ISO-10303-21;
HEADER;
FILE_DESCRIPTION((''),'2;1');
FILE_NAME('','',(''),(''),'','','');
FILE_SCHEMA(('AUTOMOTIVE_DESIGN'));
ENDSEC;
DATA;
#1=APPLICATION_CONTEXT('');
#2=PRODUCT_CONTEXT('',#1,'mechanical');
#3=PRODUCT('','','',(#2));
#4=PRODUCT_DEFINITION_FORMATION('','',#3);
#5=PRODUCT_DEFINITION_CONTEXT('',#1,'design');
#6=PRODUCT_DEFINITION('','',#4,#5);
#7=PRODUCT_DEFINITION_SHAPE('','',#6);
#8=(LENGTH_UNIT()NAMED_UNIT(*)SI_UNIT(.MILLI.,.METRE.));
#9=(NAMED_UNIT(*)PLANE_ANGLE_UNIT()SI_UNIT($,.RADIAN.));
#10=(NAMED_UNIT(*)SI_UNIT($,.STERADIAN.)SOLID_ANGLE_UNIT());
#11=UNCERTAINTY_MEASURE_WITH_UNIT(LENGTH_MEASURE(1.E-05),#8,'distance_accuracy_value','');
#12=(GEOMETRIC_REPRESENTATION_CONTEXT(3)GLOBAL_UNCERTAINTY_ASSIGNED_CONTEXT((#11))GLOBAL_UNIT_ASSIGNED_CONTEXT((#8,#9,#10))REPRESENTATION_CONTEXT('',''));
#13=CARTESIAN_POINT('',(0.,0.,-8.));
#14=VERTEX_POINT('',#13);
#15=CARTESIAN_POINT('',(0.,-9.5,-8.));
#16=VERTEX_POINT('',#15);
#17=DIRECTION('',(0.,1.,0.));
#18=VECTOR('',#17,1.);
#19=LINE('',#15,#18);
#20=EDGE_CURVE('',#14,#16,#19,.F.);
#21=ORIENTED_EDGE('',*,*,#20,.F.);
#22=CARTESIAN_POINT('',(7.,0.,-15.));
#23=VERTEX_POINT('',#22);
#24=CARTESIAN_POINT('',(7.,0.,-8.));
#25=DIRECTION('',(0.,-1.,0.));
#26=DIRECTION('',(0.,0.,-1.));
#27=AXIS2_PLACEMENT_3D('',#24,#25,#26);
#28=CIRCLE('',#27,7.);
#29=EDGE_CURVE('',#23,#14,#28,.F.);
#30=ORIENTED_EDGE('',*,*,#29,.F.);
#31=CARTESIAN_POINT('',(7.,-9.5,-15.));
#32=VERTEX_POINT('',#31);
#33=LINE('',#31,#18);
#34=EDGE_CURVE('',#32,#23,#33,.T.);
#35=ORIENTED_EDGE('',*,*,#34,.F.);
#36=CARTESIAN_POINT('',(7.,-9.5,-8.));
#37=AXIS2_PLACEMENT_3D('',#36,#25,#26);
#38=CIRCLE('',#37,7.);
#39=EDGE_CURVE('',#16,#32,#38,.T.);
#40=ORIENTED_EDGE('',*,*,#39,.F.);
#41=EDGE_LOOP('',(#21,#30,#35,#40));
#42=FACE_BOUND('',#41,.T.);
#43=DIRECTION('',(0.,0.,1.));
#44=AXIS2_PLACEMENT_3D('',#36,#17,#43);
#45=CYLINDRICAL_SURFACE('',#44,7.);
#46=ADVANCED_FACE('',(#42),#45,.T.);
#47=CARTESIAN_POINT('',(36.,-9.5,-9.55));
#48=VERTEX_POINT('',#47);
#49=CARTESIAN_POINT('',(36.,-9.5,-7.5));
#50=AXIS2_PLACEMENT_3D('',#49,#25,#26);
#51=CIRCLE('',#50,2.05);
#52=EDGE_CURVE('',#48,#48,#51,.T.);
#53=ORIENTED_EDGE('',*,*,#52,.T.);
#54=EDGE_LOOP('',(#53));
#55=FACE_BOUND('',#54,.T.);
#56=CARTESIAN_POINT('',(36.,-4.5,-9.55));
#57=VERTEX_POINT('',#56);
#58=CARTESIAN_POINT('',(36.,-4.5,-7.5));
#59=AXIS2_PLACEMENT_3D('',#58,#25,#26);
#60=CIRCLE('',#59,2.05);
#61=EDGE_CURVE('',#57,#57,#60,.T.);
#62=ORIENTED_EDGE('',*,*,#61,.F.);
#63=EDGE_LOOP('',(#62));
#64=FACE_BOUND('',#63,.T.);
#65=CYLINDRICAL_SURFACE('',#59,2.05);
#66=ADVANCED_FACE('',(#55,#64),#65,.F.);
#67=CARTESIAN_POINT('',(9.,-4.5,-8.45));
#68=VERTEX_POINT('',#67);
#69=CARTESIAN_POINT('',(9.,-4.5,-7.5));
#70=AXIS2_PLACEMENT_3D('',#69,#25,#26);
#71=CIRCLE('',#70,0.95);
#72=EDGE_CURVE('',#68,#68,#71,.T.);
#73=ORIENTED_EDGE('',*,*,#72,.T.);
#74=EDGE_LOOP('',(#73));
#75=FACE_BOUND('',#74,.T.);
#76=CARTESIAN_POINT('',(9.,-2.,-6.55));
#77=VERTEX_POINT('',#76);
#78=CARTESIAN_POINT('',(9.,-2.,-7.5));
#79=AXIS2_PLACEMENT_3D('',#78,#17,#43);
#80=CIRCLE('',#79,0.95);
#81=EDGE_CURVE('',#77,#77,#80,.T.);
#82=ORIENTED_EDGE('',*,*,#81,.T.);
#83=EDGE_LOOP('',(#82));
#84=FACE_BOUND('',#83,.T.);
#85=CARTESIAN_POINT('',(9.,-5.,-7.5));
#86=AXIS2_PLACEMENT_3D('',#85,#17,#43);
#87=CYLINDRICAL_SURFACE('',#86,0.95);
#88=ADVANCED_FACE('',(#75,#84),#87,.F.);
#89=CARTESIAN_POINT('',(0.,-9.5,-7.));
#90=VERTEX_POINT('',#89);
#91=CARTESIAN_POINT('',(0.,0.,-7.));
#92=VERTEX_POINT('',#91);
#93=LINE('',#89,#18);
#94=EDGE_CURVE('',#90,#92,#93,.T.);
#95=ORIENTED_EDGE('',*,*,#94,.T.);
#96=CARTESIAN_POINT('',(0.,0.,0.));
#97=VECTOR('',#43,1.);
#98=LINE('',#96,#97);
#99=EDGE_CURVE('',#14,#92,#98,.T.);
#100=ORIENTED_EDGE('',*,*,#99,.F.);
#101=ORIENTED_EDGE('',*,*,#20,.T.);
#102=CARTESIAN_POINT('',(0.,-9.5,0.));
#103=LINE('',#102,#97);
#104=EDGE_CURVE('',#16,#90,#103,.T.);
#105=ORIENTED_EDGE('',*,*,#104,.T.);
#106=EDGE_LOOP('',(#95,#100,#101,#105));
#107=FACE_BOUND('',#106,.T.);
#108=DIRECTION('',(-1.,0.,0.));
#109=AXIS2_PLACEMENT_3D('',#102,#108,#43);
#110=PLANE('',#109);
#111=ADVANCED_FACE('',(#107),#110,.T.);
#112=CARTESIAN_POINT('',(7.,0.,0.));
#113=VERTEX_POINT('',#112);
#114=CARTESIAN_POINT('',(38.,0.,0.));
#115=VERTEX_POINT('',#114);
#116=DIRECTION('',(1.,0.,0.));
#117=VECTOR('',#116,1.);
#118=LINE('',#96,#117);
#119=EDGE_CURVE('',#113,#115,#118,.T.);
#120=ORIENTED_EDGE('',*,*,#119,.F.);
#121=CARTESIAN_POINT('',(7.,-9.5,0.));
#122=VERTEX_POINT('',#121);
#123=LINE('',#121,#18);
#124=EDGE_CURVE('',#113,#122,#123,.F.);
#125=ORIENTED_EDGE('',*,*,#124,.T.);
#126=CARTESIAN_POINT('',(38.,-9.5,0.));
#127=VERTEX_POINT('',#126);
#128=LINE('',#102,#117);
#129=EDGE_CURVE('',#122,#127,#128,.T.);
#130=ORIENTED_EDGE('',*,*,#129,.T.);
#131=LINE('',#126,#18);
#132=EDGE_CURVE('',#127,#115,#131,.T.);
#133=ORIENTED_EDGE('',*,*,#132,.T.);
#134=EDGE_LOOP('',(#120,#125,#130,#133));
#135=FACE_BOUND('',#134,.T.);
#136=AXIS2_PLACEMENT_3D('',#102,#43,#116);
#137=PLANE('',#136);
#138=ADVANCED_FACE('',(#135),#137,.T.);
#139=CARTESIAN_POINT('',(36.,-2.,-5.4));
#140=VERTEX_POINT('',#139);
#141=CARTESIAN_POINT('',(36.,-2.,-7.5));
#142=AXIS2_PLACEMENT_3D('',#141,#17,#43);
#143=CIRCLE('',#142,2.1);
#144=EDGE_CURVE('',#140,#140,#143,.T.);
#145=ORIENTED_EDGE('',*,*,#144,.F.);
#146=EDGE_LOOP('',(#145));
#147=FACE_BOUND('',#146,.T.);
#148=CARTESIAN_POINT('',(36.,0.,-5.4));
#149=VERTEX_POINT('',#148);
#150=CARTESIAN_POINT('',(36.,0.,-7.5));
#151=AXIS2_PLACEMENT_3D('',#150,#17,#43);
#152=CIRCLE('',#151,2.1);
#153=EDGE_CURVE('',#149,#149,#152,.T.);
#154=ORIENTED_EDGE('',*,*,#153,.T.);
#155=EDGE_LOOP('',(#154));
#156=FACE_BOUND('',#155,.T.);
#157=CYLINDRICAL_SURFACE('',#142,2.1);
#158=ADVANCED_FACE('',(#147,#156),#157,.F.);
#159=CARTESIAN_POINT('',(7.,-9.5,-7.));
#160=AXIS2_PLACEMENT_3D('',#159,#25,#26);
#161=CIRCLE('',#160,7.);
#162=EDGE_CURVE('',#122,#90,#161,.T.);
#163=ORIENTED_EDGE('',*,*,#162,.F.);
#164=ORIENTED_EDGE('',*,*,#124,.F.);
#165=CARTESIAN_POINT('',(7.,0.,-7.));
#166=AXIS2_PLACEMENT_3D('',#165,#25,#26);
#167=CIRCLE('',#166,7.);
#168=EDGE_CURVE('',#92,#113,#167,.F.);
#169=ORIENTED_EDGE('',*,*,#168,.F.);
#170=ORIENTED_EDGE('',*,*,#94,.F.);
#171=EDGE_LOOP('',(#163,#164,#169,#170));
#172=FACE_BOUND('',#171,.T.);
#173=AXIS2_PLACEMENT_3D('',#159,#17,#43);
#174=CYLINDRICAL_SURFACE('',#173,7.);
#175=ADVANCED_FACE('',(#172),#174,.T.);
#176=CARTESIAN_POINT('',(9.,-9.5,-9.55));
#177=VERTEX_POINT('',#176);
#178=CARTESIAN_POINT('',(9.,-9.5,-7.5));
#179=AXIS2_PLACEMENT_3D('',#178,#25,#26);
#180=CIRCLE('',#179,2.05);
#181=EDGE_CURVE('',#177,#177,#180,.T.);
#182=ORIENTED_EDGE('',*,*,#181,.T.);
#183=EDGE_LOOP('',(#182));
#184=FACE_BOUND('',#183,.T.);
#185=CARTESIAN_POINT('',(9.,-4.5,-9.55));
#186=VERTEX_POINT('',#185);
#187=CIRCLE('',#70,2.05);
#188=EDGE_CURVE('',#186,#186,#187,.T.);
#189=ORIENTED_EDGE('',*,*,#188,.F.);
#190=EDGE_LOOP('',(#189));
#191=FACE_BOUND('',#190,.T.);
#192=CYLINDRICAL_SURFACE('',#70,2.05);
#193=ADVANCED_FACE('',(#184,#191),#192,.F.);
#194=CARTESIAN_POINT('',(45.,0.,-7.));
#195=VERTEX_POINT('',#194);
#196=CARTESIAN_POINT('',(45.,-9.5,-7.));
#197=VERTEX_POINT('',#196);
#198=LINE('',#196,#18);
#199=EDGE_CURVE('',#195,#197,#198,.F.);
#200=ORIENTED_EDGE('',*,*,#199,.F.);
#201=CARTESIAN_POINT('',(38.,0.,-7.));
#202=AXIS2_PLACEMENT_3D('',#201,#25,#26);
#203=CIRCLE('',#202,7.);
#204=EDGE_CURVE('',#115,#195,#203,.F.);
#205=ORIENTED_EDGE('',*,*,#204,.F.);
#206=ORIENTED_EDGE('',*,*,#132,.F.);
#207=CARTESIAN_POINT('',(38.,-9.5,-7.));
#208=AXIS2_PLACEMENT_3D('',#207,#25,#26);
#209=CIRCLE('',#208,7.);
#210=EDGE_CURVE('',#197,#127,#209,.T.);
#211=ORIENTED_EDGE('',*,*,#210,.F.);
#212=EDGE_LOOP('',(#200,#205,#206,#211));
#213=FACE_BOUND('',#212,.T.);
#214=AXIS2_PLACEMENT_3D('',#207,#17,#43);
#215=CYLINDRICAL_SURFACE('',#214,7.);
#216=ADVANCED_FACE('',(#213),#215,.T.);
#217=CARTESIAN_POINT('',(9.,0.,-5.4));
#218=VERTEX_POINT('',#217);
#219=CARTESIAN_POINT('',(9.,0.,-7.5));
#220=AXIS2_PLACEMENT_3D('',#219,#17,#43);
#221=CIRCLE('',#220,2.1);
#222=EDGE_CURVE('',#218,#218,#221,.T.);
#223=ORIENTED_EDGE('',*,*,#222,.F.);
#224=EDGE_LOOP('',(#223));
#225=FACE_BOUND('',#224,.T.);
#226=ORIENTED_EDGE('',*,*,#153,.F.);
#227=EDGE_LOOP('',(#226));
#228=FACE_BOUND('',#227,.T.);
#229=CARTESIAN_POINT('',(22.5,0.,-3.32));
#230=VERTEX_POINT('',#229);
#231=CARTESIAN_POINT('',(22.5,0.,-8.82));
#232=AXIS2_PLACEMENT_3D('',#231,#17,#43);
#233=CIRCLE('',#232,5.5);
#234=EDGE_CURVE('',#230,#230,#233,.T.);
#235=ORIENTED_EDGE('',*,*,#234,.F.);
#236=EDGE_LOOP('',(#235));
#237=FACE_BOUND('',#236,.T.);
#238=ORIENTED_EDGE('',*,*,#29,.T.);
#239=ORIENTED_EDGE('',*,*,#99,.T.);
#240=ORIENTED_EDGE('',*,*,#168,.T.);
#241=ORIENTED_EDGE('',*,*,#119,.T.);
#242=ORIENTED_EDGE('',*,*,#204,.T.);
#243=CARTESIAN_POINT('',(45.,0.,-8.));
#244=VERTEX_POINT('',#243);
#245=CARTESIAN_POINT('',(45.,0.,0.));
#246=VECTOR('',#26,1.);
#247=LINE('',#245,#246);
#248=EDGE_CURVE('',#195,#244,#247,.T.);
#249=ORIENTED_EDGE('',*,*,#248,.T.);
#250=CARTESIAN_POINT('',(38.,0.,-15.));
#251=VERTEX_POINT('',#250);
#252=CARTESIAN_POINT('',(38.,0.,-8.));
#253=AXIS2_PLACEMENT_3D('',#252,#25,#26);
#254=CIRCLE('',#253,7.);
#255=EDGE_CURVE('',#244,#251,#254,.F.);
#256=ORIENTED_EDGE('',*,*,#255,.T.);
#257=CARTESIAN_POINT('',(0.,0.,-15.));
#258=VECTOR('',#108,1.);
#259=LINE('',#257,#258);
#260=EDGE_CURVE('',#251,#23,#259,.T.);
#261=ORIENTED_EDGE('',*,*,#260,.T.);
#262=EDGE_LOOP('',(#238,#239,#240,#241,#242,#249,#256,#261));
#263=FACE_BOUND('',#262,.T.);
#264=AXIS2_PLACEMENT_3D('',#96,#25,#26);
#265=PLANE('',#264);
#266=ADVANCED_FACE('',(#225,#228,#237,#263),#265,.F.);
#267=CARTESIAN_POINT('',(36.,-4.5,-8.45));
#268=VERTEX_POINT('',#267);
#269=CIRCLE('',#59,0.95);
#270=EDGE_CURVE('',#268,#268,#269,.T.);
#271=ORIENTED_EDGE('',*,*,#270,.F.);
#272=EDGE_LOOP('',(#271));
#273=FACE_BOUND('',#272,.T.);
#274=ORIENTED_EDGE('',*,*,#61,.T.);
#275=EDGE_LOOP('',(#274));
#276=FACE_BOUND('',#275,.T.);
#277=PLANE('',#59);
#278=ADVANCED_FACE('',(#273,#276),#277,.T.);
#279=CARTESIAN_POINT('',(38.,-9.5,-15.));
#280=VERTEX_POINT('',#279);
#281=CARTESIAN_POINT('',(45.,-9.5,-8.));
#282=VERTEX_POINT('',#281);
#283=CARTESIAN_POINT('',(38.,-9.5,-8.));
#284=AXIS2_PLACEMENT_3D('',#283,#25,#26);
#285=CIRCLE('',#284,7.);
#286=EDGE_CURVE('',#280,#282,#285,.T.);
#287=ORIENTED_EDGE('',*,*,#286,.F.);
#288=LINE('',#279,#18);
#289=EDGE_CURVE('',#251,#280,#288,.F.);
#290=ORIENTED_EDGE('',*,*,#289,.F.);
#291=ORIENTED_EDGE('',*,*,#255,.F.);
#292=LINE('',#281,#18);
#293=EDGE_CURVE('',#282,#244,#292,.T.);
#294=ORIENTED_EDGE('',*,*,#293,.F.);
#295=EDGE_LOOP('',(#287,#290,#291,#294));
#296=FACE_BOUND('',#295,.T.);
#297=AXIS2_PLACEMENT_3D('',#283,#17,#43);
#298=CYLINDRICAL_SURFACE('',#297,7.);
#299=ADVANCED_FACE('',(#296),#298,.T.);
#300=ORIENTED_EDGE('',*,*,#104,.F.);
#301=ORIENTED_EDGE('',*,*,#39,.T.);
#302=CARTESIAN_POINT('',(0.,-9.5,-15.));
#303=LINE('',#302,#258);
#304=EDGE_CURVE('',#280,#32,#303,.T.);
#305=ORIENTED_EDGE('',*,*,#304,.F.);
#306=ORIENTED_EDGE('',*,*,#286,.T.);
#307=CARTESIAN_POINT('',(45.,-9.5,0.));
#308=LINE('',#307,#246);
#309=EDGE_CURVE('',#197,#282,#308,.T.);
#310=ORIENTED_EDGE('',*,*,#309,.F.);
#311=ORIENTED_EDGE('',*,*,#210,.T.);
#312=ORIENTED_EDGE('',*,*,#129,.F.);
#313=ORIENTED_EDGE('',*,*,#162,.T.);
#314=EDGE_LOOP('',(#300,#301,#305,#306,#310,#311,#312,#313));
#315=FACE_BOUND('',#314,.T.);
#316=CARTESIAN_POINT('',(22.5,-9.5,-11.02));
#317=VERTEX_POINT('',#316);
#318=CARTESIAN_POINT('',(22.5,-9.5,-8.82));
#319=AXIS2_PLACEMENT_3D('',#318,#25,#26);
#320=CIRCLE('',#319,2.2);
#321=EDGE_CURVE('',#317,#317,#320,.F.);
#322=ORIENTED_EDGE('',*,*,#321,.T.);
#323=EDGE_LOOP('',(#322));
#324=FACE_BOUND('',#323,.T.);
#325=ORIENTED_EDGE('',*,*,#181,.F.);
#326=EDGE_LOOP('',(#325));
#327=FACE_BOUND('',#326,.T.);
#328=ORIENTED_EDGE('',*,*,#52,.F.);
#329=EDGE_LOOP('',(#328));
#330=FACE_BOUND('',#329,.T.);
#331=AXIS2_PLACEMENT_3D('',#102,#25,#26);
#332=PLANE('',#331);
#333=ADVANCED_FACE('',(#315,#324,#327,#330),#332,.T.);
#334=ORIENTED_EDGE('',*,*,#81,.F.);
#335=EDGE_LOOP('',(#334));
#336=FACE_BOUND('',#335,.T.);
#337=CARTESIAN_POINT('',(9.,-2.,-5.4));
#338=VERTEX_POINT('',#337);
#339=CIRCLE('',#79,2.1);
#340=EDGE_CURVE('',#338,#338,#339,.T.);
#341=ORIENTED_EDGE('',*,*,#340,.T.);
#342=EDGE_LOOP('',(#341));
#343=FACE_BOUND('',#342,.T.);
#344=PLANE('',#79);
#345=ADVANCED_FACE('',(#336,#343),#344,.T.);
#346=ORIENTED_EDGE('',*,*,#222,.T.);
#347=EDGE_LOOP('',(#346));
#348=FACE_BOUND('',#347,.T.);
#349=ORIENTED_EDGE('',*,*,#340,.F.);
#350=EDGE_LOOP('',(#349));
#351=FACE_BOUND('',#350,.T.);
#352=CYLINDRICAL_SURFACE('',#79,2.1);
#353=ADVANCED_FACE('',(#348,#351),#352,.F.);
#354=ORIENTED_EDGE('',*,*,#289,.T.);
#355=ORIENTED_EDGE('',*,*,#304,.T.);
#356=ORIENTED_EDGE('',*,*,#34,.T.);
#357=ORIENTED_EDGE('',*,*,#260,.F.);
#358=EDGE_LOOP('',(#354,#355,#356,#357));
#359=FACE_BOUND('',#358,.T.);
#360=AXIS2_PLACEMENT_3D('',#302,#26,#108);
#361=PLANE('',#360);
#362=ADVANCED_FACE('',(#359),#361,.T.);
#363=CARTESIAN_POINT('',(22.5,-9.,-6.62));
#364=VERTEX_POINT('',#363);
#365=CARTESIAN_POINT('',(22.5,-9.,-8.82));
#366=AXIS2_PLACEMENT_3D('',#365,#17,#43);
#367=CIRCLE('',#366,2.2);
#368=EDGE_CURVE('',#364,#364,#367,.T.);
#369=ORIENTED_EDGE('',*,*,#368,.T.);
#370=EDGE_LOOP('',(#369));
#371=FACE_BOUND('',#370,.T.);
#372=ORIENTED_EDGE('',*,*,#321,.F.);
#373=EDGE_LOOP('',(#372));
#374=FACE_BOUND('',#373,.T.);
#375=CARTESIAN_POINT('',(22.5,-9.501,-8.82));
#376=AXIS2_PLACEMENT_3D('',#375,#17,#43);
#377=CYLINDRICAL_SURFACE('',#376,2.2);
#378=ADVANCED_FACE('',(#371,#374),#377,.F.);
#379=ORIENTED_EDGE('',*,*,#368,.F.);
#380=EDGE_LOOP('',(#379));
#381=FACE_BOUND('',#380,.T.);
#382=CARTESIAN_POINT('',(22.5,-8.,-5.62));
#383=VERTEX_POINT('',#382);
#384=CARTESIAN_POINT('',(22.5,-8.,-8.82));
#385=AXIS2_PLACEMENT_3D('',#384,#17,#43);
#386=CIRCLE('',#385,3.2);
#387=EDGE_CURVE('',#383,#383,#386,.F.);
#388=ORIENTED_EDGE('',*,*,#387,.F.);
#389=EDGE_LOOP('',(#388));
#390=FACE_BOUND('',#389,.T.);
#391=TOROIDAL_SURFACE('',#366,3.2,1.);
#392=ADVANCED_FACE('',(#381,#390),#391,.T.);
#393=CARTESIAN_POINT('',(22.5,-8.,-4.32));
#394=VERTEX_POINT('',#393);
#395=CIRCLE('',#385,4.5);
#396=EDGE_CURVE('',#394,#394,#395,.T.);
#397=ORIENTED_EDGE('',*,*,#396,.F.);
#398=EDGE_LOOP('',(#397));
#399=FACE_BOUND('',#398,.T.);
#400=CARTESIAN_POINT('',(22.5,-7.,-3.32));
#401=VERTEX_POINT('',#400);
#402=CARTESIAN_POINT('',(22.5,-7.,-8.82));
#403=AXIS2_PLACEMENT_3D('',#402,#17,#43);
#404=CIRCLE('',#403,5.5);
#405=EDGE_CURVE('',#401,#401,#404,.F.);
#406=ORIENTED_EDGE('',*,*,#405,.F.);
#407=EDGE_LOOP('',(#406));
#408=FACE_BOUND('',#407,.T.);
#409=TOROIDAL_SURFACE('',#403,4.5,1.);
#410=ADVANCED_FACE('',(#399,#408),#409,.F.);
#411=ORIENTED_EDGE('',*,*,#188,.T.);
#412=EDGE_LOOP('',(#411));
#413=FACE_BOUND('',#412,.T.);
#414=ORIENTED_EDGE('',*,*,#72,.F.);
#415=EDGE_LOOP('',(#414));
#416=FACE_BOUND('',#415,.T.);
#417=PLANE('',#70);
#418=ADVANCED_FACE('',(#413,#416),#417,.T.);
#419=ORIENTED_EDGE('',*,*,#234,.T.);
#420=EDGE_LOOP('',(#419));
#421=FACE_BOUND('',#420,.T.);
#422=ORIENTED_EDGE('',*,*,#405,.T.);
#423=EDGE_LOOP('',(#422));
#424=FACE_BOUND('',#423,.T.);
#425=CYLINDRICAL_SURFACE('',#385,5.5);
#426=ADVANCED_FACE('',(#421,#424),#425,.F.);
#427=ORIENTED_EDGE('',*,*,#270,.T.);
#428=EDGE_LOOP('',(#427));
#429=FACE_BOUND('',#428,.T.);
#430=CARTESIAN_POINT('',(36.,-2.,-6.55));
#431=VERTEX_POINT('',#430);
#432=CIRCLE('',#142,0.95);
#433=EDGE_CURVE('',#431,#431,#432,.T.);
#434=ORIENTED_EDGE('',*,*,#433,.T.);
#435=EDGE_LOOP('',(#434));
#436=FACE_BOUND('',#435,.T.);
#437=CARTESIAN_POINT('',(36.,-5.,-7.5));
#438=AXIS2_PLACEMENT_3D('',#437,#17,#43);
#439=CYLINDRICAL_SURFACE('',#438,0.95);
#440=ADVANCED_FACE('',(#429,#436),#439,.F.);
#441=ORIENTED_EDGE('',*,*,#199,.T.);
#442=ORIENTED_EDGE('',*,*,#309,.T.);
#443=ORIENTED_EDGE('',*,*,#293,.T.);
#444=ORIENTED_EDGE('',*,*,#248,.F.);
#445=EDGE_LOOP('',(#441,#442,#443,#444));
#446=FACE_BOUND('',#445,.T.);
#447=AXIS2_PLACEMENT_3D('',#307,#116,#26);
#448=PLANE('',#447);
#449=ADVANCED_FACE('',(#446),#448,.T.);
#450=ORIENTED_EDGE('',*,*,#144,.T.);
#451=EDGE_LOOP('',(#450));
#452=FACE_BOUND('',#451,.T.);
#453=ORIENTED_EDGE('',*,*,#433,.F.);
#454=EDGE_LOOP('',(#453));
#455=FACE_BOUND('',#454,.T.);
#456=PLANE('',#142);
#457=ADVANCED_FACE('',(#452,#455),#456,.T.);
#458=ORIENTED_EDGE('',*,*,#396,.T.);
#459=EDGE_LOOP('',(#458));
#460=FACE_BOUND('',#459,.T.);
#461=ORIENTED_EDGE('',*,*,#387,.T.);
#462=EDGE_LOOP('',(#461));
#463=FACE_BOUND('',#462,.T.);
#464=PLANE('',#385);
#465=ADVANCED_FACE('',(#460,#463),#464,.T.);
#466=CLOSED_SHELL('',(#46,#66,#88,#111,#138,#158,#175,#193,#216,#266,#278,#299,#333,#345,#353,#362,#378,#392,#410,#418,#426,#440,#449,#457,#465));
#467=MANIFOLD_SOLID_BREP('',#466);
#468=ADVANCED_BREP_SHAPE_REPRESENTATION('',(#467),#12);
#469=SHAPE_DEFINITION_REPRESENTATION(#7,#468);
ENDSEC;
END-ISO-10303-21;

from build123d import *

# Parameters (mm, degrees)
SKETCH1_W           = 45
SKETCH1_H           = 15
BOSS_EXTRUDE1_DEPTH = 9.5
SKETCH2_R           = 5.5
CUT_EXTRUDE1_DEPTH  = 8
CUT_EXTRUDE2_REACH  = 50.104
SKETCH3_R           = 2.2
SKETCH4_R           = 2.1
CUT_EXTRUDE3_DEPTH  = 2
FILLET1_R           = 7
SKETCH5_R           = 2.05
CUT_EXTRUDE4_DEPTH  = 5
SKETCH6_R           = 0.95
CUT_EXTRUDE5_DEPTH  = 3
FILLET5_R           = 1


with BuildPart() as part:
    # Sketch1 → Boss-Extrude1 (new body)
    with BuildSketch(Plane(origin=(0, 0, 0), x_dir=(1, 0, 0), z_dir=(0, 1, 0))):
        with Locations((22.5, 7.5)):
            Rectangle(SKETCH1_W, SKETCH1_H)
    extrude(amount=-BOSS_EXTRUDE1_DEPTH)

    # Sketch2 → Cut-Extrude1 (cut)
    with BuildSketch(Plane(origin=(0, 0, 0), x_dir=(1, 0, 0), z_dir=(0, 1, 0))):
        with Locations(Location((22.5, 8.82, 0), (0, 0, 270))):
            Circle(SKETCH2_R)
    extrude(amount=-CUT_EXTRUDE1_DEPTH, mode=Mode.SUBTRACT)

    # Sketch3 → Cut-Extrude2 (cut, up to next)
    with BuildSketch(Plane(origin=(0, -8, 0), x_dir=(1, 0, 0), z_dir=(0, 1, 0)), mode=Mode.PRIVATE) as cut_extrude2_sk1:
        with Locations(Location((22.5, 8.82, 0), (0, 0, 270))):
            Circle(SKETCH3_R)
    cut_extrude2_tool1 = extrude(cut_extrude2_sk1.sketch, amount=-CUT_EXTRUDE2_REACH, mode=Mode.PRIVATE) & part.part
    add(cut_extrude2_tool1.solids().sort_by_distance((22.5, -8, -8.82))[0], mode=Mode.SUBTRACT)

    # Sketch4 → Cut-Extrude3 (cut)
    with BuildSketch(Plane(origin=(0, 0, 0), x_dir=(1, 0, 0), z_dir=(0, 1, 0))):
        with Locations(Location((9, 7.5, 0), (0, 0, 270))):
            Circle(SKETCH4_R)
        with Locations(Location((36, 7.5, 0), (0, 0, 270))):
            Circle(SKETCH4_R)
    extrude(amount=-CUT_EXTRUDE3_DEPTH, mode=Mode.SUBTRACT)

    # Fillet1
    fillet1_edges = [part.edges().sort_by_distance(p)[0] for p in [
        (0, -4.75, -15),
        (45, -4.75, -15),
        (45, -4.75, 0),
        (0, -4.75, 0),
    ]]
    fillet(fillet1_edges, radius=FILLET1_R)

    # Sketch5 → Cut-Extrude4 (cut)
    with BuildSketch(Plane(origin=(0, -9.5, 0), x_dir=(-1, 0, 0), z_dir=(0, -1, 0))):
        with Locations(Location((-36, 7.5, 0), (0, 0, 90))):
            Circle(SKETCH5_R)
        with Locations(Location((-9, 7.5, 0), (0, 0, 90))):
            Circle(SKETCH5_R)
    extrude(amount=-CUT_EXTRUDE4_DEPTH, mode=Mode.SUBTRACT)

    # Sketch6 → Cut-Extrude5 (cut)
    with BuildSketch(Plane(origin=(0, -2, 0), x_dir=(1, 0, 0), z_dir=(0, 1, 0))):
        with Locations(Location((9, 7.5, 0), (0, 0, 270))):
            Circle(SKETCH6_R)
        with Locations(Location((36, 7.5, 0), (0, 0, 270))):
            Circle(SKETCH6_R)
    extrude(amount=-CUT_EXTRUDE5_DEPTH, mode=Mode.SUBTRACT)

    # Fillet5
    fillet5_edges = [part.edges().sort_by_distance(p)[0] for p in [
        (22.5, -8, -14.32),
        (22.5, -8, -11.02),
    ]]
    fillet(fillet5_edges, radius=FILLET5_R)


solid = part.part
